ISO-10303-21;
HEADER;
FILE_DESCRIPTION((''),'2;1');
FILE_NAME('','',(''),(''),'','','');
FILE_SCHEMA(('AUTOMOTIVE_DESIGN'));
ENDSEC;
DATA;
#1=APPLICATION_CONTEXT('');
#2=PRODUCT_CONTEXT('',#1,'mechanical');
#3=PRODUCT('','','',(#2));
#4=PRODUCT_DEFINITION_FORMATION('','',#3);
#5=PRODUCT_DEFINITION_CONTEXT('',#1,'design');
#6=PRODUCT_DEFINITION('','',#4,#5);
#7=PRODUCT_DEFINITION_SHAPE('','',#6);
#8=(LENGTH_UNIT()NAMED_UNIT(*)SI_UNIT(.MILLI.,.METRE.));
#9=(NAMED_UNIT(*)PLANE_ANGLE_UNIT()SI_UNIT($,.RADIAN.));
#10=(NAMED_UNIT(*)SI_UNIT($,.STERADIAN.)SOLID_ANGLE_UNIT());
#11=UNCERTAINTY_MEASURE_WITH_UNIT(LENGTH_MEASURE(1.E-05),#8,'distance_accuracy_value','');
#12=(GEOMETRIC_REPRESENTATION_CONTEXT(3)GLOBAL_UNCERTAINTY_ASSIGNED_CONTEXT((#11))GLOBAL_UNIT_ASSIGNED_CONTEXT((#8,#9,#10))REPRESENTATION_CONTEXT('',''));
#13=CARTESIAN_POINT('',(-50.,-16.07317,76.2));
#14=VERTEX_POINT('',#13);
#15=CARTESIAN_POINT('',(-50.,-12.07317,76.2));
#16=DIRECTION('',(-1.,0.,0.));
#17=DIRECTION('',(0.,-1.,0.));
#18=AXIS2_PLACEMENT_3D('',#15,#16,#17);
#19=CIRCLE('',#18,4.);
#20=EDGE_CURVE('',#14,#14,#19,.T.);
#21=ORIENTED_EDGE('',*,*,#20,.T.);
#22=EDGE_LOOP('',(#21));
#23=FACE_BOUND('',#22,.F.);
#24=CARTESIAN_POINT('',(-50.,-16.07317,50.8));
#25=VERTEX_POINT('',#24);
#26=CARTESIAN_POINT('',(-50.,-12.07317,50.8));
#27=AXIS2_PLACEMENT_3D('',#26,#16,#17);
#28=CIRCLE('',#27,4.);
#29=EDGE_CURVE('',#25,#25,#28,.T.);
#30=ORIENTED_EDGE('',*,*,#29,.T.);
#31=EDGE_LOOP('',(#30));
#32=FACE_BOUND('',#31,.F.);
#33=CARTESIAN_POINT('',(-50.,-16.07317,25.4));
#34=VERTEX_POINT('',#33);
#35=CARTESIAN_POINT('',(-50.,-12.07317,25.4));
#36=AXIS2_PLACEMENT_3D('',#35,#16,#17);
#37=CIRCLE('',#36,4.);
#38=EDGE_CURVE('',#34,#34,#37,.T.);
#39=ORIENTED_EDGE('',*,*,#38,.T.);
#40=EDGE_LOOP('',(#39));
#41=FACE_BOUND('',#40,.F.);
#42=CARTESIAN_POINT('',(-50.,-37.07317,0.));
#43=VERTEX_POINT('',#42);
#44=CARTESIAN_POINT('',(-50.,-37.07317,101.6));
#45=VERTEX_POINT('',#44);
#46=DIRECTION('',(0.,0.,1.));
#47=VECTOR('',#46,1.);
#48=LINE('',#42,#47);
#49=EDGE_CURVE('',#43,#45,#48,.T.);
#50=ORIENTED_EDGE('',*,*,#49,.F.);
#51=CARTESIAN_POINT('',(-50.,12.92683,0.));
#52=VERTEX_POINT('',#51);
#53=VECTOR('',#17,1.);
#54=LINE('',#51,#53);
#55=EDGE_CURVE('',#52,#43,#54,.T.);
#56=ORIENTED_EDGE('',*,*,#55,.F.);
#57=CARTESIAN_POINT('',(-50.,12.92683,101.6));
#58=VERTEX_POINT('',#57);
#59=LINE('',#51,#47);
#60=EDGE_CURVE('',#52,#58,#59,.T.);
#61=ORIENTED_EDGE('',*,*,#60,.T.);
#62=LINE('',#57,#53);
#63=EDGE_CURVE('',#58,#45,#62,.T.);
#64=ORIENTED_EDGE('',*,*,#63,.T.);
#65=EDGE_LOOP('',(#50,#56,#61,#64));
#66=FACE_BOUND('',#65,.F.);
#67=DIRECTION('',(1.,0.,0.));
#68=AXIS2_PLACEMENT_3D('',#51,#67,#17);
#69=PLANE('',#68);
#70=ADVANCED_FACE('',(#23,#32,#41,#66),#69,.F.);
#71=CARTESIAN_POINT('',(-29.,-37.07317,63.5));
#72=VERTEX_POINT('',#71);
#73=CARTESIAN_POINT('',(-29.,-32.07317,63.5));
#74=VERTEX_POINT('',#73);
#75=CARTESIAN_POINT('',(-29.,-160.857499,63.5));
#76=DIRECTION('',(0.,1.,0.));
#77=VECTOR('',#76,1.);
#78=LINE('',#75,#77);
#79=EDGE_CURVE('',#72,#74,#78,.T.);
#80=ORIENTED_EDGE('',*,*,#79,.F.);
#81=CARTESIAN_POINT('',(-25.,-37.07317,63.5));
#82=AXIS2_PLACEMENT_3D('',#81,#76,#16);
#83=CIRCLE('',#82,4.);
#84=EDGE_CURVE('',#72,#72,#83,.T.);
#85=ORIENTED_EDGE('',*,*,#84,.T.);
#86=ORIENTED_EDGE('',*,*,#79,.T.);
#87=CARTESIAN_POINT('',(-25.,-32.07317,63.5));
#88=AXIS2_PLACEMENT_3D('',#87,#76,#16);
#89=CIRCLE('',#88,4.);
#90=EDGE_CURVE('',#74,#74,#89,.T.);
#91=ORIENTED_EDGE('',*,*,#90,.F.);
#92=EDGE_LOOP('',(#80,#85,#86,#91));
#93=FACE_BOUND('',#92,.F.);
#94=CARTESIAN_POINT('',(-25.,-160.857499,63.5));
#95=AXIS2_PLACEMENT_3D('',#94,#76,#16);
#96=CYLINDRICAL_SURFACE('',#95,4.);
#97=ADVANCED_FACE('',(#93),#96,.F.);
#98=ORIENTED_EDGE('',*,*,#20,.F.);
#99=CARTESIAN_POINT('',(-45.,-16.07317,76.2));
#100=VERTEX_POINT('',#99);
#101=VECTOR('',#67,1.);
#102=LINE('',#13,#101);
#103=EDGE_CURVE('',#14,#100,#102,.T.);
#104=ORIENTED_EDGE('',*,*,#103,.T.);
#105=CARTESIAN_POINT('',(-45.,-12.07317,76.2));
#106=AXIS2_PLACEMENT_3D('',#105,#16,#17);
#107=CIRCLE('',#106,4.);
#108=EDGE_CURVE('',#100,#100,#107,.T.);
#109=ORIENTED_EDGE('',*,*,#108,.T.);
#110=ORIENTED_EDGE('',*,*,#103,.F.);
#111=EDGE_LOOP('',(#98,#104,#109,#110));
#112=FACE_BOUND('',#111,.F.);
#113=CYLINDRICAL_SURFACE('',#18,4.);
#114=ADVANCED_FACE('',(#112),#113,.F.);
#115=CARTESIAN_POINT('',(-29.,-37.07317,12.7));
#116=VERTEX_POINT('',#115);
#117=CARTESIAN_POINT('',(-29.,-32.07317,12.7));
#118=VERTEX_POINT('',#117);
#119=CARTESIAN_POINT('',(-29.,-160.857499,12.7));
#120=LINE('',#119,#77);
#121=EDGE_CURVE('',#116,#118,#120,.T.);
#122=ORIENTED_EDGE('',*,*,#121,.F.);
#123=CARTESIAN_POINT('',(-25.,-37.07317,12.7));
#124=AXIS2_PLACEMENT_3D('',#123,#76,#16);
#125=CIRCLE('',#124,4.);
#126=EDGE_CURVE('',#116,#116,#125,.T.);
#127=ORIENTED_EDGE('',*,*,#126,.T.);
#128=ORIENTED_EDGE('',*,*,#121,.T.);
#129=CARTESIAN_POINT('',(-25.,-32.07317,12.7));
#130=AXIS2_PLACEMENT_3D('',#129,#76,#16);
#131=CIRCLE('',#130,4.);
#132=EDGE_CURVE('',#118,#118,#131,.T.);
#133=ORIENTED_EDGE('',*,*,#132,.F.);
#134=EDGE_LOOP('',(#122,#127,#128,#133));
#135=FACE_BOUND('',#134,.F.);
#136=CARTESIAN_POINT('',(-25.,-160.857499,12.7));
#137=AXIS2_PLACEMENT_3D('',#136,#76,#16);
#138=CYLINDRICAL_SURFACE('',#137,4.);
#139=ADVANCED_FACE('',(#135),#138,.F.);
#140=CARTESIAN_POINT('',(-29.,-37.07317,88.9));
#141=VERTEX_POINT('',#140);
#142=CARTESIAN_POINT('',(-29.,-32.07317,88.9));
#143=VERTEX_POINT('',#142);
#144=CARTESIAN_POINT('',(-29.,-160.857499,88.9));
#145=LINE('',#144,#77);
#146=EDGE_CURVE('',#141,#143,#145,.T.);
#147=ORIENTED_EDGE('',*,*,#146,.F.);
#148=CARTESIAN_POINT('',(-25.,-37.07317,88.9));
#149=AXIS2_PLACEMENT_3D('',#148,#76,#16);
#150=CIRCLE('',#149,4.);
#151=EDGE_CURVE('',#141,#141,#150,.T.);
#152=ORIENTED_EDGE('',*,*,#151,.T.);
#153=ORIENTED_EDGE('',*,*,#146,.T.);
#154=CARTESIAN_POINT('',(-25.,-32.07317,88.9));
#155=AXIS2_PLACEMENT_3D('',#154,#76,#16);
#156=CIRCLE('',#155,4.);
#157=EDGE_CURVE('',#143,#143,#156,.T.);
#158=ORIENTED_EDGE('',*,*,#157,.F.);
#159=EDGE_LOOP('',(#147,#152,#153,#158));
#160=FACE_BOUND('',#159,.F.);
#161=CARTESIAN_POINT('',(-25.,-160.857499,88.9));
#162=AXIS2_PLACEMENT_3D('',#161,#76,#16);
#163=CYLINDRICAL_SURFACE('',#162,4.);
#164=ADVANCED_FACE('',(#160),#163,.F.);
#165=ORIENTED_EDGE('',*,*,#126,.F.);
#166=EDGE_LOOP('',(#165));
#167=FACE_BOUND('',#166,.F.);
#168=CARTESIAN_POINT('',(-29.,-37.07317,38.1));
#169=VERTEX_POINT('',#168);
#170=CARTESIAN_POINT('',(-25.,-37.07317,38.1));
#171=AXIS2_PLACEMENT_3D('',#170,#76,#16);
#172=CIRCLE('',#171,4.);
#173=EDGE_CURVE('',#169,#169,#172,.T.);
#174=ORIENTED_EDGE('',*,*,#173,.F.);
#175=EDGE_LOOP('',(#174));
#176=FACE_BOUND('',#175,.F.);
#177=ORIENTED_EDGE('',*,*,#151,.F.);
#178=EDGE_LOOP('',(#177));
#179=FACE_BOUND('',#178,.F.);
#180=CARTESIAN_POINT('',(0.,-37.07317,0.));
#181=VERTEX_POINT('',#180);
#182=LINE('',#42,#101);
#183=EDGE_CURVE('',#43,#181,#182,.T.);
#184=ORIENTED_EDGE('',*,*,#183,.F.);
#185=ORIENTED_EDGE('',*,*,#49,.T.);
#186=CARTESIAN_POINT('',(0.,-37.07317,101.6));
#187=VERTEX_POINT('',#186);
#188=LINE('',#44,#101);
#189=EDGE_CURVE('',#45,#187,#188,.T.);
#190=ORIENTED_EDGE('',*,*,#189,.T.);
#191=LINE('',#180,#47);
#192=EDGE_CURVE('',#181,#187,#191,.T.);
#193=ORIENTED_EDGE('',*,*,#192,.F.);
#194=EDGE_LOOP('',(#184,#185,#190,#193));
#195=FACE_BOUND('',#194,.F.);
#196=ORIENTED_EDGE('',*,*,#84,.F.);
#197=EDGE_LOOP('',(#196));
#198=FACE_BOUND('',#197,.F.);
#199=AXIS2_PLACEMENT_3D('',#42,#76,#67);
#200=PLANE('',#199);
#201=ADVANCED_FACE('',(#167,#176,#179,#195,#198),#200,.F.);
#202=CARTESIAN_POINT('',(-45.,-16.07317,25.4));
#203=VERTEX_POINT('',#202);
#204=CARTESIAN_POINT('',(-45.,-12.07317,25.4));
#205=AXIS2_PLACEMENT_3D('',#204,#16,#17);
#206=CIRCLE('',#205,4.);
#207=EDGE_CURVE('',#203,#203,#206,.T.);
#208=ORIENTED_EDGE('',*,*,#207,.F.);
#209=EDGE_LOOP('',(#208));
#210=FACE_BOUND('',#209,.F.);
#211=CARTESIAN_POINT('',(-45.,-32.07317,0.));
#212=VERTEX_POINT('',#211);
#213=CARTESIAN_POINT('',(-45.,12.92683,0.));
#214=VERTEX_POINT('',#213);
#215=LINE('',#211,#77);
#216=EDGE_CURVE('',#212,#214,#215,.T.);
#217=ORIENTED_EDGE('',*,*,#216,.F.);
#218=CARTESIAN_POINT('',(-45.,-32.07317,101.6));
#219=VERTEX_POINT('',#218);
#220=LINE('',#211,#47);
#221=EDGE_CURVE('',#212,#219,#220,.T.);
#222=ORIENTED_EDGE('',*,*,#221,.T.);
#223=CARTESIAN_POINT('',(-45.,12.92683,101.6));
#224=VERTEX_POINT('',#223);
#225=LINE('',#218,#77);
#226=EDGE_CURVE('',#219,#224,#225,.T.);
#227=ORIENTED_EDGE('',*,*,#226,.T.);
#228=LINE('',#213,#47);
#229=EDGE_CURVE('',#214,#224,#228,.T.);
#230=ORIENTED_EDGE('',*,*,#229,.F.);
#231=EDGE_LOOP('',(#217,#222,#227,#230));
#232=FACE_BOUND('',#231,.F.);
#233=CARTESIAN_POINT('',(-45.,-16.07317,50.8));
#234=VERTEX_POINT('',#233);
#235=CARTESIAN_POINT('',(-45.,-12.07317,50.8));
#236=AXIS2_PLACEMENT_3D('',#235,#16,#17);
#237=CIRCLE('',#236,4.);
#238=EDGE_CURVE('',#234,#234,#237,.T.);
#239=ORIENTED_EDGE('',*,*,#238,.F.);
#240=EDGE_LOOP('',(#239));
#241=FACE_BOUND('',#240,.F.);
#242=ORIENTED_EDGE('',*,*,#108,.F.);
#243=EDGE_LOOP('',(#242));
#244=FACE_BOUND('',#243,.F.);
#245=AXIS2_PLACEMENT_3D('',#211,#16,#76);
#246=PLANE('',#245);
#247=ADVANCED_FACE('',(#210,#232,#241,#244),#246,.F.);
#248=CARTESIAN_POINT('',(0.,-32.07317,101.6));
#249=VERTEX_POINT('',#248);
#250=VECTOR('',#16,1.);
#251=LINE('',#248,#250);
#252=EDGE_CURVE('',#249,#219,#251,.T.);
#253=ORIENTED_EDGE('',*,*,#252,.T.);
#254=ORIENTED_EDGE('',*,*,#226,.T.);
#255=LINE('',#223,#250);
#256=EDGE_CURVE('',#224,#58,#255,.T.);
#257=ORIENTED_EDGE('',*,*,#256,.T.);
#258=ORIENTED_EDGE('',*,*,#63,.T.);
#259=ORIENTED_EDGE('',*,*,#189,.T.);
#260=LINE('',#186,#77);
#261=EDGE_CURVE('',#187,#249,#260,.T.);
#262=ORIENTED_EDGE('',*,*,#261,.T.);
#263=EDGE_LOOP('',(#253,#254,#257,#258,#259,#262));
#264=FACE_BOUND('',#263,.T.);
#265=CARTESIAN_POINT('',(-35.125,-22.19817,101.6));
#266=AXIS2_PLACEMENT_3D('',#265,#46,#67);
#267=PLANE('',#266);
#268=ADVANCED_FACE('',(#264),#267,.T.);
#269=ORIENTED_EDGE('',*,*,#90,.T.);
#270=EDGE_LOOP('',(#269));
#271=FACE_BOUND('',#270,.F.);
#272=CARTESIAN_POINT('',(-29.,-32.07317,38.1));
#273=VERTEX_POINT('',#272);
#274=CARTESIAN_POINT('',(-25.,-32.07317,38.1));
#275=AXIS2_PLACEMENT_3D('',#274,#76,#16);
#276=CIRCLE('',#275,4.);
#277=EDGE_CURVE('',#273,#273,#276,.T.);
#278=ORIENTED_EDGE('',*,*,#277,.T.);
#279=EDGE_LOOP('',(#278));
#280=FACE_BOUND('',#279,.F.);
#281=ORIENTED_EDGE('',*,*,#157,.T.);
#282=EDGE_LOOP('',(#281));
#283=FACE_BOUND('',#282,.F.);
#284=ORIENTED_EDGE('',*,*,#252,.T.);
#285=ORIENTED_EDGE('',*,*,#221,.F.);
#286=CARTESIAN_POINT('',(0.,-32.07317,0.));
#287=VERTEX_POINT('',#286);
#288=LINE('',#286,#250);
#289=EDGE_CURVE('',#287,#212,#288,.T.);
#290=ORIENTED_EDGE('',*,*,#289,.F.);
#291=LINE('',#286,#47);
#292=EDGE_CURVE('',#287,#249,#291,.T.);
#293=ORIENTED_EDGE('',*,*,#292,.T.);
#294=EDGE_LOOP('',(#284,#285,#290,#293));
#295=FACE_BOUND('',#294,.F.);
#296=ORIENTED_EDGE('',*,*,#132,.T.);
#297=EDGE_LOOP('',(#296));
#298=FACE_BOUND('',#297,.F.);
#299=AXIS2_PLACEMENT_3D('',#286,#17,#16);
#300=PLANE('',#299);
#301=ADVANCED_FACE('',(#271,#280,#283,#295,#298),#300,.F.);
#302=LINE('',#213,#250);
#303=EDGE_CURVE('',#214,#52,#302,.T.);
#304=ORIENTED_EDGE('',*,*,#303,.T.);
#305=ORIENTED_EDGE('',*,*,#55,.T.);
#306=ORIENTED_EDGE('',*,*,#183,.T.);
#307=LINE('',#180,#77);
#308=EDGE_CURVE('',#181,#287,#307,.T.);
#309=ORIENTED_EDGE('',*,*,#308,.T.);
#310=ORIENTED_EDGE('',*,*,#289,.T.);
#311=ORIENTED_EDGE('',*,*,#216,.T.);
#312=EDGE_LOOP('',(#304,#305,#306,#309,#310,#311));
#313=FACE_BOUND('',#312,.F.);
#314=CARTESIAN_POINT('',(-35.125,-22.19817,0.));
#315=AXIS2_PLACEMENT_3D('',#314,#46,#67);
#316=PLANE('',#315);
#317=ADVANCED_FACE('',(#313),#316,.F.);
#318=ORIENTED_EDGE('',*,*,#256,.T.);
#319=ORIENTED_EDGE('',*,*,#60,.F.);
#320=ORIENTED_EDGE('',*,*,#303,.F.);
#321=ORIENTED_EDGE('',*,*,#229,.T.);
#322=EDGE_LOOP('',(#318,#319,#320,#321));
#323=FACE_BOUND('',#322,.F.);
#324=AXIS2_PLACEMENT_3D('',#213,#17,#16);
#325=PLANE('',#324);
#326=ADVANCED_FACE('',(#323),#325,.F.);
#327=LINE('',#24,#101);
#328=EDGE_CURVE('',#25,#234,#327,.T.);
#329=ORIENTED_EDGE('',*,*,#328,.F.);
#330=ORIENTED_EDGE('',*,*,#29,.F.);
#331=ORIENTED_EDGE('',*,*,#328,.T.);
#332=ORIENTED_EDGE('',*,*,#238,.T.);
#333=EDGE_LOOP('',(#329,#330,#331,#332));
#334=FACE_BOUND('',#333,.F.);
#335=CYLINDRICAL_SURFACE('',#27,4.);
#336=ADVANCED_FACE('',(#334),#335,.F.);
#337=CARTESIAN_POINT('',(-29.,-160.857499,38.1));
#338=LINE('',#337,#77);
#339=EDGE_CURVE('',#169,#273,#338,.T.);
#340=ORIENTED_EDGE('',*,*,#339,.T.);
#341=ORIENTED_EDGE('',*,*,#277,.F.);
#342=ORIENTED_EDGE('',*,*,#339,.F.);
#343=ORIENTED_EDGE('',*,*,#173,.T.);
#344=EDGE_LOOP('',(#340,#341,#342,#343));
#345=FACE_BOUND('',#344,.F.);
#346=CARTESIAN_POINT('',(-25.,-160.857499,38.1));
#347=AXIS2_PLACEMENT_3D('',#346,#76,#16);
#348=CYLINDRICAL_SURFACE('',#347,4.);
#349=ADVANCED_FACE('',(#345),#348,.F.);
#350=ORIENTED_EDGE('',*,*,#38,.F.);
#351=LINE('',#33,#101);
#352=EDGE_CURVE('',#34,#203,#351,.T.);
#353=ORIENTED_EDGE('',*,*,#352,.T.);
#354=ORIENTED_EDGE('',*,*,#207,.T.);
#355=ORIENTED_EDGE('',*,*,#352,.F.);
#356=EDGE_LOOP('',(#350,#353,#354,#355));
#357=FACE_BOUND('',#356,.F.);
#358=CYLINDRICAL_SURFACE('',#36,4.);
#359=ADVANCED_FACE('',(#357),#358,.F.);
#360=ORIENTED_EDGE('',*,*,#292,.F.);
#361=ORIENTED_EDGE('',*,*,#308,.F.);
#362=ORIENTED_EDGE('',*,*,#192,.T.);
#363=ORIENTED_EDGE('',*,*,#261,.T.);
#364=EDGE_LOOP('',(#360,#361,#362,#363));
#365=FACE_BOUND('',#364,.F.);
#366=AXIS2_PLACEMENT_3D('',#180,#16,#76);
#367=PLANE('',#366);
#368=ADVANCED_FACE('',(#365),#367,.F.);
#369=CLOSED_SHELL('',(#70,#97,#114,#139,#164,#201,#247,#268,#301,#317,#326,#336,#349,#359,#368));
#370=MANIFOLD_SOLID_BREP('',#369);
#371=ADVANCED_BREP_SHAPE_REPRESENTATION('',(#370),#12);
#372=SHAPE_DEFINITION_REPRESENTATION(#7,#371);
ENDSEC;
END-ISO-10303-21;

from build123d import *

# Parameters (mm, degrees)
F1_DEPTH = 101.6
F2_R     = 4
F3_DEPTH = 25
F5_D     = 8


with BuildPart() as f1:
    # F0 (on Top) → F1 (new body)
    with BuildSketch(Plane.XY):
        Polygon((-45, 12.9268298003), (-50, 12.9268298003), (-50, -37.0731701997), (0, -37.0731701997), (0, -32.0731701997), (-45, -32.0731701997), align=None)
    extrude(amount=F1_DEPTH)

    # F2 (on face) → F3 (cut)
    with BuildSketch(Plane(origin=(-50, 0, 0), x_dir=(0, -1, 0), z_dir=(-1, 0, 0))):
        with Locations((12.0731701997, 76.2)):
            Circle(F2_R)
        with Locations((12.0731701997, 50.8)):
            Circle(F2_R)
        with Locations((12.0731701997, 25.4)):
            Circle(F2_R)
    extrude(amount=-F3_DEPTH, mode=Mode.SUBTRACT)

    # F5 (through all)
    with Locations(Plane.XZ.offset(37.0731701997)):
        with Locations((-25, 88.9), (-25, 63.5), (-25, 38.1), (-25, 12.7)):
            Hole(F5_D / 2)


solid = f1.part
